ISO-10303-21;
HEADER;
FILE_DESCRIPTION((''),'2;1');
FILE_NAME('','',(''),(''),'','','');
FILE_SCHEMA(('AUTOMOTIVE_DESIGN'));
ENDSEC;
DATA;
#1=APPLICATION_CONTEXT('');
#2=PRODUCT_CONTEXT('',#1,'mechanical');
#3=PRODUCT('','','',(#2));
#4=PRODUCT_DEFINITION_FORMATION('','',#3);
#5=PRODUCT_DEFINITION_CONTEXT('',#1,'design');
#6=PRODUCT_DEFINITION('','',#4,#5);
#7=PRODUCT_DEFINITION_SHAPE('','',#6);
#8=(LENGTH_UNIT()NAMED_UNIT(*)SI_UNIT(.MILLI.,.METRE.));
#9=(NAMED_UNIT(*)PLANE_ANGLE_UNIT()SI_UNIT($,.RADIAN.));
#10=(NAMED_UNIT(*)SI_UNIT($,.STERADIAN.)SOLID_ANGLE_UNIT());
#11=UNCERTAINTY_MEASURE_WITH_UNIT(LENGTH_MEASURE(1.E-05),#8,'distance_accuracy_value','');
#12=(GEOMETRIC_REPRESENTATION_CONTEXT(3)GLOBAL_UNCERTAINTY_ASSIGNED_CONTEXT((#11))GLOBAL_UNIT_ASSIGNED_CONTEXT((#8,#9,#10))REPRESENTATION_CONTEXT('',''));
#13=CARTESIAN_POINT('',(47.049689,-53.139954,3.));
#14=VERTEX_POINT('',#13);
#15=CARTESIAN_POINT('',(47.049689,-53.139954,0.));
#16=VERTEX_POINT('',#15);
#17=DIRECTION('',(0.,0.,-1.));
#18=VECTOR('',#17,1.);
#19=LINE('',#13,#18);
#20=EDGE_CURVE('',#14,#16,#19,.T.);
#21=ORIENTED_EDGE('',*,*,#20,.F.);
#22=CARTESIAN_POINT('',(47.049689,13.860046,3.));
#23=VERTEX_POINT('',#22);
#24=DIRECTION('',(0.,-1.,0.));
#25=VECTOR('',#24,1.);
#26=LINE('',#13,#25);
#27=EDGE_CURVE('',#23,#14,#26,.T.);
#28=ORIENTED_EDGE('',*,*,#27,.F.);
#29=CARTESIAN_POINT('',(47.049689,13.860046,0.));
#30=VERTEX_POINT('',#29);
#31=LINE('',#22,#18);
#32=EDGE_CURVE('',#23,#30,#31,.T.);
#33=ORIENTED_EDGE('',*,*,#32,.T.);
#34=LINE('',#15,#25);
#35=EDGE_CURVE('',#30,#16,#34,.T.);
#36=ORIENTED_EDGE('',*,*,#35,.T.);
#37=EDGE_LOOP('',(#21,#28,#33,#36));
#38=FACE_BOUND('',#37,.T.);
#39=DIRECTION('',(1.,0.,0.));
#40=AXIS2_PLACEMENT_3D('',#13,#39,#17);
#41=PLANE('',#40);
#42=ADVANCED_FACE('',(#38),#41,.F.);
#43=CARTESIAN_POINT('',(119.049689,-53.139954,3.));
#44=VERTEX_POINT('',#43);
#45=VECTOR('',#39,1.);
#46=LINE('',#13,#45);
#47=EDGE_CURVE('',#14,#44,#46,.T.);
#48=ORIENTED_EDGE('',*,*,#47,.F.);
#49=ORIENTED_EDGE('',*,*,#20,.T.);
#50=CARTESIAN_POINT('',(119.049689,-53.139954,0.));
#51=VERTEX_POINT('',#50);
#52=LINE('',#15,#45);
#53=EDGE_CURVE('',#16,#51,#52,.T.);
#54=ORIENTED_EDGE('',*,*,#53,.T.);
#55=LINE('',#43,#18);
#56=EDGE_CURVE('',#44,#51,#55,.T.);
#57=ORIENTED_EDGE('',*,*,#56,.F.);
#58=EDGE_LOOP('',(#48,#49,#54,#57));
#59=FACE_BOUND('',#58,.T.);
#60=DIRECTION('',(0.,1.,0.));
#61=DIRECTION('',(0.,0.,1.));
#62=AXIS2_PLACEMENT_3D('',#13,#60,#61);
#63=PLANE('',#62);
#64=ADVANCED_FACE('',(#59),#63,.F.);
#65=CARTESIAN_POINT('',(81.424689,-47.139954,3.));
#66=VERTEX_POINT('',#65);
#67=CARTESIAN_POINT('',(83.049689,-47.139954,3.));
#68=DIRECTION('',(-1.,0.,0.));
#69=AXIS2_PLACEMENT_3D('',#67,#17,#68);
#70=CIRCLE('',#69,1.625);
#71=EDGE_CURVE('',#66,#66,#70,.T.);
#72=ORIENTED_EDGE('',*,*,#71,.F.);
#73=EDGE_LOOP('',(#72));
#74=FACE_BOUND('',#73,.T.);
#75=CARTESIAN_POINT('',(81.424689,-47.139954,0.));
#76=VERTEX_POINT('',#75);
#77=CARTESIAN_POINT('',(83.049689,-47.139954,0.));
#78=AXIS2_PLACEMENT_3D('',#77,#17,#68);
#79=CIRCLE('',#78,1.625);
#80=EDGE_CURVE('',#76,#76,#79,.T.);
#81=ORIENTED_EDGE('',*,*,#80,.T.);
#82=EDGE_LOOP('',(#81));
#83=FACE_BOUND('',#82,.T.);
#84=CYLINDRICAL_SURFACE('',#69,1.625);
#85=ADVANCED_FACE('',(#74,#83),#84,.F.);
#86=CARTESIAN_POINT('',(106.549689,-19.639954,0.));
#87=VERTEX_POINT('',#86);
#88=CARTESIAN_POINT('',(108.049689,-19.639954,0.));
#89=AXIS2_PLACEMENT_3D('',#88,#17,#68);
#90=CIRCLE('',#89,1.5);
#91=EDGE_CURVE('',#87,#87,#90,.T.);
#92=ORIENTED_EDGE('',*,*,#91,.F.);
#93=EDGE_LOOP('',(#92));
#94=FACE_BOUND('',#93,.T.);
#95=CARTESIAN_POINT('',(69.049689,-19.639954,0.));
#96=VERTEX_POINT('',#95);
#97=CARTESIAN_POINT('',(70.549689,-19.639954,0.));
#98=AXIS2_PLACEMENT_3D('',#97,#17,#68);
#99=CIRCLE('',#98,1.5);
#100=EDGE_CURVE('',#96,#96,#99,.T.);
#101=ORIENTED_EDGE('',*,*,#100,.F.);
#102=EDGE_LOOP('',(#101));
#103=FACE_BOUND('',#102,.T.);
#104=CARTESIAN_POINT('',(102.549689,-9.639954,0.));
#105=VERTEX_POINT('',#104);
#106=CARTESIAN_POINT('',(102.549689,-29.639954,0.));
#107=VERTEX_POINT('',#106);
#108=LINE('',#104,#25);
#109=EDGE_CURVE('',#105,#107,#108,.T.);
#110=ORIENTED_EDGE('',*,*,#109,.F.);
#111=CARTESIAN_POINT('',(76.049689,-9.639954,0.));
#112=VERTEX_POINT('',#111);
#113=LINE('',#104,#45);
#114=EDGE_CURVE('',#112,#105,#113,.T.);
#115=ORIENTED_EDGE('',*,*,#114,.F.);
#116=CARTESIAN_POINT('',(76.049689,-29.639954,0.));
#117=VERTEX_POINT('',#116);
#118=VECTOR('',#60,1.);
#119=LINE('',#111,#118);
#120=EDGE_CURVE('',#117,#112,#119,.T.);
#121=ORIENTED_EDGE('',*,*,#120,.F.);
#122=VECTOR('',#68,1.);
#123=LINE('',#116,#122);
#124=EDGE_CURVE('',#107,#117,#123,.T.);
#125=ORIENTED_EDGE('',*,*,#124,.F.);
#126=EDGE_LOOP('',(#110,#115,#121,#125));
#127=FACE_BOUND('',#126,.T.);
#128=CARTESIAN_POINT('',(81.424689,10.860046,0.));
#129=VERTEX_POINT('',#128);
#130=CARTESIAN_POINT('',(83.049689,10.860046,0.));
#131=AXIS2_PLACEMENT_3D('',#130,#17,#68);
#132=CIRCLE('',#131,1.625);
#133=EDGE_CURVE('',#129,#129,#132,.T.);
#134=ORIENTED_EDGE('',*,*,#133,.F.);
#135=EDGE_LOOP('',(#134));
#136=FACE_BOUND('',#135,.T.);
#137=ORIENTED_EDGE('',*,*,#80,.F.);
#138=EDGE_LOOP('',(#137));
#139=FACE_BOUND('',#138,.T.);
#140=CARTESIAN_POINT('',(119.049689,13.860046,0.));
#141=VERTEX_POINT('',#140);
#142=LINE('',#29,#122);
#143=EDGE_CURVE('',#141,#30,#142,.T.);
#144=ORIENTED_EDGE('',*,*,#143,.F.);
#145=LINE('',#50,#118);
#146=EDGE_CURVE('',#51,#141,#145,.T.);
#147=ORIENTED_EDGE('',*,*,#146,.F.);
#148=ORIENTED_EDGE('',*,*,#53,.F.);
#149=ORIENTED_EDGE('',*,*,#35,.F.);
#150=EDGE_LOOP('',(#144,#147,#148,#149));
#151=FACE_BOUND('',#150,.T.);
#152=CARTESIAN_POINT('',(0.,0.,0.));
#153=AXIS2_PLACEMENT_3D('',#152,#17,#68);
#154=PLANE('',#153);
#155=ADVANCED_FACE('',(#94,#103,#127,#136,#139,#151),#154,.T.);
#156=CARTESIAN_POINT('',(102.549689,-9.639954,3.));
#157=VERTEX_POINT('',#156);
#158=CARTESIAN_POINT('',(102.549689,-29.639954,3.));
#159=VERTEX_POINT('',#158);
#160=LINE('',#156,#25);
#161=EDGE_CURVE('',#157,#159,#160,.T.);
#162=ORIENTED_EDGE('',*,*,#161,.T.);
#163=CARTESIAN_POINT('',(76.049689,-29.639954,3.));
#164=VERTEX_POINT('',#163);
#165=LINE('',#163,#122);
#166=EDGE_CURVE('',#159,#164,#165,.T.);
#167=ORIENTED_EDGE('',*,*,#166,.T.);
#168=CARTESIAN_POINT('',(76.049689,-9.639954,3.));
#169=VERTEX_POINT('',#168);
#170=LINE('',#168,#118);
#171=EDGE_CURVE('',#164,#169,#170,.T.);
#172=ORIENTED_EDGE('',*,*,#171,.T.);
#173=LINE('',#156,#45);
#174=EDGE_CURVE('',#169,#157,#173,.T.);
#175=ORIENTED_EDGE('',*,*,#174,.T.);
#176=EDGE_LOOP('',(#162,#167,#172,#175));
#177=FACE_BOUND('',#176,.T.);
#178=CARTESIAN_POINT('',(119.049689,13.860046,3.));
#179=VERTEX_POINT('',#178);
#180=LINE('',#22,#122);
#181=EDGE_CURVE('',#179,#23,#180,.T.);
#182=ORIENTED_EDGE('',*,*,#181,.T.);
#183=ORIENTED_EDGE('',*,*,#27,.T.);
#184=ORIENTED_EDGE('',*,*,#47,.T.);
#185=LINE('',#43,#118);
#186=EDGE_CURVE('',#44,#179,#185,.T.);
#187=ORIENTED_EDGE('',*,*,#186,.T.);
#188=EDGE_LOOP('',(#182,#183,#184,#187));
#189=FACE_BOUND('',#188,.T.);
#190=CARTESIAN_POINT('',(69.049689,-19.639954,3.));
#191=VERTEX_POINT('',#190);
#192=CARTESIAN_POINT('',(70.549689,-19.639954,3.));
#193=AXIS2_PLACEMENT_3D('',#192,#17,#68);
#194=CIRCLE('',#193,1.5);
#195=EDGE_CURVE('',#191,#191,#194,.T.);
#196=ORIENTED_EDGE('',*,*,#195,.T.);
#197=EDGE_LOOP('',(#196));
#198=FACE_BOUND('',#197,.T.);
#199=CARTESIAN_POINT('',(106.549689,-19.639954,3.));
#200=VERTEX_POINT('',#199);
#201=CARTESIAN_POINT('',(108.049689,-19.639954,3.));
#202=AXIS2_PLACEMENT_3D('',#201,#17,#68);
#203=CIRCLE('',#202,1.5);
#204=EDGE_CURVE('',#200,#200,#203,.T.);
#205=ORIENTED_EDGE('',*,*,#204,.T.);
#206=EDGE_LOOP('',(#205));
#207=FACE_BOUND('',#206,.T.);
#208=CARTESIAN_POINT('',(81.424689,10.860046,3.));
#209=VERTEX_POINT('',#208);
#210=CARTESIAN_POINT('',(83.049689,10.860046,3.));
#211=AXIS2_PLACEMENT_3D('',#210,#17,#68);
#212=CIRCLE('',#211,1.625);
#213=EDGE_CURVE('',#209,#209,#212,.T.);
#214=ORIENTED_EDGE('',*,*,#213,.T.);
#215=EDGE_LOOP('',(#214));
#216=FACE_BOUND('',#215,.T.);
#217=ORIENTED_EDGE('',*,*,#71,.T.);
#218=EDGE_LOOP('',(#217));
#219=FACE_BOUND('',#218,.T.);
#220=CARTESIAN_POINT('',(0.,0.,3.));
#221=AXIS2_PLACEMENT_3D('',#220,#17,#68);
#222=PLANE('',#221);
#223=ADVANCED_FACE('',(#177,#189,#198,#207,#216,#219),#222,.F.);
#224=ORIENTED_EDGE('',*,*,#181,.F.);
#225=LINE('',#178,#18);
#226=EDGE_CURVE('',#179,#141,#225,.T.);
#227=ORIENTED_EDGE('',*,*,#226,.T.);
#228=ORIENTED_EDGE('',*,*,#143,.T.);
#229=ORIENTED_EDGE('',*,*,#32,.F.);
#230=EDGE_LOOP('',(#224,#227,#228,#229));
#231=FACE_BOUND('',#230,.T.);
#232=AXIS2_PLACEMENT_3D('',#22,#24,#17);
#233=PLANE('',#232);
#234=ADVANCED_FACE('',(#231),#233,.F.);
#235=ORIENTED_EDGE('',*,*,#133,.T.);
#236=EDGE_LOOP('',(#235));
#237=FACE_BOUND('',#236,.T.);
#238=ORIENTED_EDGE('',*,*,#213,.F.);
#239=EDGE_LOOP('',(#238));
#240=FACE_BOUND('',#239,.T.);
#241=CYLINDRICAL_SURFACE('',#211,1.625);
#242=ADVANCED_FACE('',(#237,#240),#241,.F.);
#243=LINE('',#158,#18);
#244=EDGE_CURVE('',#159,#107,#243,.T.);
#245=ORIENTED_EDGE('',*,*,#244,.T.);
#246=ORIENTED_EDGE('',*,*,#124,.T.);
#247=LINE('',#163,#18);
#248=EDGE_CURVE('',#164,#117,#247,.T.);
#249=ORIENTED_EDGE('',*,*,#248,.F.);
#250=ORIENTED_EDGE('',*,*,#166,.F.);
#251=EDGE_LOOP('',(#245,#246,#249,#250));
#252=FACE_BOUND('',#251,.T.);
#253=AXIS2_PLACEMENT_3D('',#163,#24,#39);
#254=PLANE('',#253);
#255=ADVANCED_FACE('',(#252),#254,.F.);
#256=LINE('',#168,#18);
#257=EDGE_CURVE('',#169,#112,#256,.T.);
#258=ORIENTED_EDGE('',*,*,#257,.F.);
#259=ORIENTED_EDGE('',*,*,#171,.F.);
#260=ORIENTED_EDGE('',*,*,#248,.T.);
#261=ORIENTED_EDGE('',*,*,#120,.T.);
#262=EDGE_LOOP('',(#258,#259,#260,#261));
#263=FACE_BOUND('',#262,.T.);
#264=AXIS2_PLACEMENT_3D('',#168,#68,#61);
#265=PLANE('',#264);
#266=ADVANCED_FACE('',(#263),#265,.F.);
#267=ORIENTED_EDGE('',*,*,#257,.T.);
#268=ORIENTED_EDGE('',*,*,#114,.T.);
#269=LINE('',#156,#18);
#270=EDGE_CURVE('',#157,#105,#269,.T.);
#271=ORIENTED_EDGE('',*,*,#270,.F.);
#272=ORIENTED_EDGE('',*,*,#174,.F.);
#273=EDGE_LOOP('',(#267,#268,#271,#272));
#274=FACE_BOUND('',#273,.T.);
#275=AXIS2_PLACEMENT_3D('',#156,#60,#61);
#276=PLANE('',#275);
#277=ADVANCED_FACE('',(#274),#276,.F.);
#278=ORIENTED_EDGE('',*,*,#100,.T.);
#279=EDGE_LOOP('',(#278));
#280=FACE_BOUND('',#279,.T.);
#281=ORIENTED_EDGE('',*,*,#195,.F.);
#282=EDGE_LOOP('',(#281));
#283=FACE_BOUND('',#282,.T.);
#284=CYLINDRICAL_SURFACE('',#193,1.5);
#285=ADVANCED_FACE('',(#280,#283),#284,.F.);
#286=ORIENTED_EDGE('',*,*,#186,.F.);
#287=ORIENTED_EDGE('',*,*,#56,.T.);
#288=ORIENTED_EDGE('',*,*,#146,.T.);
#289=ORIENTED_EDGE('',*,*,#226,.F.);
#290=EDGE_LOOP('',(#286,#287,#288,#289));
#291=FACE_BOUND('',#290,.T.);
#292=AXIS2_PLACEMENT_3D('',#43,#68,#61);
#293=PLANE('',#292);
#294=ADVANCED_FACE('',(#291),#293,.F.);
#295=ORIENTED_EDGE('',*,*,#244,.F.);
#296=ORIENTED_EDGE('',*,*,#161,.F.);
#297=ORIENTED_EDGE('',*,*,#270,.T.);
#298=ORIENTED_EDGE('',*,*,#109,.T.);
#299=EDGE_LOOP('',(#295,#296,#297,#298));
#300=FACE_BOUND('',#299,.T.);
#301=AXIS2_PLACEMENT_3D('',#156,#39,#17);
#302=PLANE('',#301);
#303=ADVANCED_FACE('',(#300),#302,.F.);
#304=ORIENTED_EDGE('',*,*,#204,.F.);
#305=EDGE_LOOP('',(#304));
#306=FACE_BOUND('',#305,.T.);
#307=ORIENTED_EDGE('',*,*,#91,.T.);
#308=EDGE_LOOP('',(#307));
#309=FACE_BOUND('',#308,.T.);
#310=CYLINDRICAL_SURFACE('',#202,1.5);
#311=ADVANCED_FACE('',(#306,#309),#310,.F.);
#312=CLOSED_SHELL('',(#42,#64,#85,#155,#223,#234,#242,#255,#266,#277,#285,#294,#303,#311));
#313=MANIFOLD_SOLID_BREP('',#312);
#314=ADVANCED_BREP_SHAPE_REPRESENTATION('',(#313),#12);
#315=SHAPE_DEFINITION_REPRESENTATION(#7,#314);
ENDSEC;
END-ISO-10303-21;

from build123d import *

# Parameters (mm, degrees)
CROQUIS1_W              = 72
CROQUIS1_H              = 67
SALIENTE_EXTRUIR1_DEPTH = 3
CROQUIS4_R              = 1.625
CROQUIS4_R_2            = 1.5
CROQUIS4_W              = 26.5
CROQUIS4_H              = 20
CORTAR_EXTRUIR2_DEPTH   = 3


with BuildPart() as part:
    # Croquis1 → Saliente-Extruir1 (new body)
    with BuildSketch(Plane.XY):
        with Locations((83.049688553, -19.639954107)):
            Rectangle(CROQUIS1_W, CROQUIS1_H)
    extrude(amount=SALIENTE_EXTRUIR1_DEPTH)

    # Croquis4 → Cortar-Extruir2 (cut)
    with BuildSketch(Plane(origin=(0, 0, 0), x_dir=(-1, 0, 0), z_dir=(0, 0, -1))):
        with Locations((-83.049688553, -47.139954107)):
            Circle(CROQUIS4_R)
        with Locations((-83.049688553, 10.860045893)):
            Circle(CROQUIS4_R)
        with Locations((-108.049688553, -19.639954107)):
            Circle(CROQUIS4_R_2)
        with Locations((-70.549688553, -19.639954107)):
            Circle(CROQUIS4_R_2)
        with Locations((-89.299688553, -19.639954107)):
            Rectangle(CROQUIS4_W, CROQUIS4_H)
    extrude(amount=-CORTAR_EXTRUIR2_DEPTH, mode=Mode.SUBTRACT)


solid = part.part
